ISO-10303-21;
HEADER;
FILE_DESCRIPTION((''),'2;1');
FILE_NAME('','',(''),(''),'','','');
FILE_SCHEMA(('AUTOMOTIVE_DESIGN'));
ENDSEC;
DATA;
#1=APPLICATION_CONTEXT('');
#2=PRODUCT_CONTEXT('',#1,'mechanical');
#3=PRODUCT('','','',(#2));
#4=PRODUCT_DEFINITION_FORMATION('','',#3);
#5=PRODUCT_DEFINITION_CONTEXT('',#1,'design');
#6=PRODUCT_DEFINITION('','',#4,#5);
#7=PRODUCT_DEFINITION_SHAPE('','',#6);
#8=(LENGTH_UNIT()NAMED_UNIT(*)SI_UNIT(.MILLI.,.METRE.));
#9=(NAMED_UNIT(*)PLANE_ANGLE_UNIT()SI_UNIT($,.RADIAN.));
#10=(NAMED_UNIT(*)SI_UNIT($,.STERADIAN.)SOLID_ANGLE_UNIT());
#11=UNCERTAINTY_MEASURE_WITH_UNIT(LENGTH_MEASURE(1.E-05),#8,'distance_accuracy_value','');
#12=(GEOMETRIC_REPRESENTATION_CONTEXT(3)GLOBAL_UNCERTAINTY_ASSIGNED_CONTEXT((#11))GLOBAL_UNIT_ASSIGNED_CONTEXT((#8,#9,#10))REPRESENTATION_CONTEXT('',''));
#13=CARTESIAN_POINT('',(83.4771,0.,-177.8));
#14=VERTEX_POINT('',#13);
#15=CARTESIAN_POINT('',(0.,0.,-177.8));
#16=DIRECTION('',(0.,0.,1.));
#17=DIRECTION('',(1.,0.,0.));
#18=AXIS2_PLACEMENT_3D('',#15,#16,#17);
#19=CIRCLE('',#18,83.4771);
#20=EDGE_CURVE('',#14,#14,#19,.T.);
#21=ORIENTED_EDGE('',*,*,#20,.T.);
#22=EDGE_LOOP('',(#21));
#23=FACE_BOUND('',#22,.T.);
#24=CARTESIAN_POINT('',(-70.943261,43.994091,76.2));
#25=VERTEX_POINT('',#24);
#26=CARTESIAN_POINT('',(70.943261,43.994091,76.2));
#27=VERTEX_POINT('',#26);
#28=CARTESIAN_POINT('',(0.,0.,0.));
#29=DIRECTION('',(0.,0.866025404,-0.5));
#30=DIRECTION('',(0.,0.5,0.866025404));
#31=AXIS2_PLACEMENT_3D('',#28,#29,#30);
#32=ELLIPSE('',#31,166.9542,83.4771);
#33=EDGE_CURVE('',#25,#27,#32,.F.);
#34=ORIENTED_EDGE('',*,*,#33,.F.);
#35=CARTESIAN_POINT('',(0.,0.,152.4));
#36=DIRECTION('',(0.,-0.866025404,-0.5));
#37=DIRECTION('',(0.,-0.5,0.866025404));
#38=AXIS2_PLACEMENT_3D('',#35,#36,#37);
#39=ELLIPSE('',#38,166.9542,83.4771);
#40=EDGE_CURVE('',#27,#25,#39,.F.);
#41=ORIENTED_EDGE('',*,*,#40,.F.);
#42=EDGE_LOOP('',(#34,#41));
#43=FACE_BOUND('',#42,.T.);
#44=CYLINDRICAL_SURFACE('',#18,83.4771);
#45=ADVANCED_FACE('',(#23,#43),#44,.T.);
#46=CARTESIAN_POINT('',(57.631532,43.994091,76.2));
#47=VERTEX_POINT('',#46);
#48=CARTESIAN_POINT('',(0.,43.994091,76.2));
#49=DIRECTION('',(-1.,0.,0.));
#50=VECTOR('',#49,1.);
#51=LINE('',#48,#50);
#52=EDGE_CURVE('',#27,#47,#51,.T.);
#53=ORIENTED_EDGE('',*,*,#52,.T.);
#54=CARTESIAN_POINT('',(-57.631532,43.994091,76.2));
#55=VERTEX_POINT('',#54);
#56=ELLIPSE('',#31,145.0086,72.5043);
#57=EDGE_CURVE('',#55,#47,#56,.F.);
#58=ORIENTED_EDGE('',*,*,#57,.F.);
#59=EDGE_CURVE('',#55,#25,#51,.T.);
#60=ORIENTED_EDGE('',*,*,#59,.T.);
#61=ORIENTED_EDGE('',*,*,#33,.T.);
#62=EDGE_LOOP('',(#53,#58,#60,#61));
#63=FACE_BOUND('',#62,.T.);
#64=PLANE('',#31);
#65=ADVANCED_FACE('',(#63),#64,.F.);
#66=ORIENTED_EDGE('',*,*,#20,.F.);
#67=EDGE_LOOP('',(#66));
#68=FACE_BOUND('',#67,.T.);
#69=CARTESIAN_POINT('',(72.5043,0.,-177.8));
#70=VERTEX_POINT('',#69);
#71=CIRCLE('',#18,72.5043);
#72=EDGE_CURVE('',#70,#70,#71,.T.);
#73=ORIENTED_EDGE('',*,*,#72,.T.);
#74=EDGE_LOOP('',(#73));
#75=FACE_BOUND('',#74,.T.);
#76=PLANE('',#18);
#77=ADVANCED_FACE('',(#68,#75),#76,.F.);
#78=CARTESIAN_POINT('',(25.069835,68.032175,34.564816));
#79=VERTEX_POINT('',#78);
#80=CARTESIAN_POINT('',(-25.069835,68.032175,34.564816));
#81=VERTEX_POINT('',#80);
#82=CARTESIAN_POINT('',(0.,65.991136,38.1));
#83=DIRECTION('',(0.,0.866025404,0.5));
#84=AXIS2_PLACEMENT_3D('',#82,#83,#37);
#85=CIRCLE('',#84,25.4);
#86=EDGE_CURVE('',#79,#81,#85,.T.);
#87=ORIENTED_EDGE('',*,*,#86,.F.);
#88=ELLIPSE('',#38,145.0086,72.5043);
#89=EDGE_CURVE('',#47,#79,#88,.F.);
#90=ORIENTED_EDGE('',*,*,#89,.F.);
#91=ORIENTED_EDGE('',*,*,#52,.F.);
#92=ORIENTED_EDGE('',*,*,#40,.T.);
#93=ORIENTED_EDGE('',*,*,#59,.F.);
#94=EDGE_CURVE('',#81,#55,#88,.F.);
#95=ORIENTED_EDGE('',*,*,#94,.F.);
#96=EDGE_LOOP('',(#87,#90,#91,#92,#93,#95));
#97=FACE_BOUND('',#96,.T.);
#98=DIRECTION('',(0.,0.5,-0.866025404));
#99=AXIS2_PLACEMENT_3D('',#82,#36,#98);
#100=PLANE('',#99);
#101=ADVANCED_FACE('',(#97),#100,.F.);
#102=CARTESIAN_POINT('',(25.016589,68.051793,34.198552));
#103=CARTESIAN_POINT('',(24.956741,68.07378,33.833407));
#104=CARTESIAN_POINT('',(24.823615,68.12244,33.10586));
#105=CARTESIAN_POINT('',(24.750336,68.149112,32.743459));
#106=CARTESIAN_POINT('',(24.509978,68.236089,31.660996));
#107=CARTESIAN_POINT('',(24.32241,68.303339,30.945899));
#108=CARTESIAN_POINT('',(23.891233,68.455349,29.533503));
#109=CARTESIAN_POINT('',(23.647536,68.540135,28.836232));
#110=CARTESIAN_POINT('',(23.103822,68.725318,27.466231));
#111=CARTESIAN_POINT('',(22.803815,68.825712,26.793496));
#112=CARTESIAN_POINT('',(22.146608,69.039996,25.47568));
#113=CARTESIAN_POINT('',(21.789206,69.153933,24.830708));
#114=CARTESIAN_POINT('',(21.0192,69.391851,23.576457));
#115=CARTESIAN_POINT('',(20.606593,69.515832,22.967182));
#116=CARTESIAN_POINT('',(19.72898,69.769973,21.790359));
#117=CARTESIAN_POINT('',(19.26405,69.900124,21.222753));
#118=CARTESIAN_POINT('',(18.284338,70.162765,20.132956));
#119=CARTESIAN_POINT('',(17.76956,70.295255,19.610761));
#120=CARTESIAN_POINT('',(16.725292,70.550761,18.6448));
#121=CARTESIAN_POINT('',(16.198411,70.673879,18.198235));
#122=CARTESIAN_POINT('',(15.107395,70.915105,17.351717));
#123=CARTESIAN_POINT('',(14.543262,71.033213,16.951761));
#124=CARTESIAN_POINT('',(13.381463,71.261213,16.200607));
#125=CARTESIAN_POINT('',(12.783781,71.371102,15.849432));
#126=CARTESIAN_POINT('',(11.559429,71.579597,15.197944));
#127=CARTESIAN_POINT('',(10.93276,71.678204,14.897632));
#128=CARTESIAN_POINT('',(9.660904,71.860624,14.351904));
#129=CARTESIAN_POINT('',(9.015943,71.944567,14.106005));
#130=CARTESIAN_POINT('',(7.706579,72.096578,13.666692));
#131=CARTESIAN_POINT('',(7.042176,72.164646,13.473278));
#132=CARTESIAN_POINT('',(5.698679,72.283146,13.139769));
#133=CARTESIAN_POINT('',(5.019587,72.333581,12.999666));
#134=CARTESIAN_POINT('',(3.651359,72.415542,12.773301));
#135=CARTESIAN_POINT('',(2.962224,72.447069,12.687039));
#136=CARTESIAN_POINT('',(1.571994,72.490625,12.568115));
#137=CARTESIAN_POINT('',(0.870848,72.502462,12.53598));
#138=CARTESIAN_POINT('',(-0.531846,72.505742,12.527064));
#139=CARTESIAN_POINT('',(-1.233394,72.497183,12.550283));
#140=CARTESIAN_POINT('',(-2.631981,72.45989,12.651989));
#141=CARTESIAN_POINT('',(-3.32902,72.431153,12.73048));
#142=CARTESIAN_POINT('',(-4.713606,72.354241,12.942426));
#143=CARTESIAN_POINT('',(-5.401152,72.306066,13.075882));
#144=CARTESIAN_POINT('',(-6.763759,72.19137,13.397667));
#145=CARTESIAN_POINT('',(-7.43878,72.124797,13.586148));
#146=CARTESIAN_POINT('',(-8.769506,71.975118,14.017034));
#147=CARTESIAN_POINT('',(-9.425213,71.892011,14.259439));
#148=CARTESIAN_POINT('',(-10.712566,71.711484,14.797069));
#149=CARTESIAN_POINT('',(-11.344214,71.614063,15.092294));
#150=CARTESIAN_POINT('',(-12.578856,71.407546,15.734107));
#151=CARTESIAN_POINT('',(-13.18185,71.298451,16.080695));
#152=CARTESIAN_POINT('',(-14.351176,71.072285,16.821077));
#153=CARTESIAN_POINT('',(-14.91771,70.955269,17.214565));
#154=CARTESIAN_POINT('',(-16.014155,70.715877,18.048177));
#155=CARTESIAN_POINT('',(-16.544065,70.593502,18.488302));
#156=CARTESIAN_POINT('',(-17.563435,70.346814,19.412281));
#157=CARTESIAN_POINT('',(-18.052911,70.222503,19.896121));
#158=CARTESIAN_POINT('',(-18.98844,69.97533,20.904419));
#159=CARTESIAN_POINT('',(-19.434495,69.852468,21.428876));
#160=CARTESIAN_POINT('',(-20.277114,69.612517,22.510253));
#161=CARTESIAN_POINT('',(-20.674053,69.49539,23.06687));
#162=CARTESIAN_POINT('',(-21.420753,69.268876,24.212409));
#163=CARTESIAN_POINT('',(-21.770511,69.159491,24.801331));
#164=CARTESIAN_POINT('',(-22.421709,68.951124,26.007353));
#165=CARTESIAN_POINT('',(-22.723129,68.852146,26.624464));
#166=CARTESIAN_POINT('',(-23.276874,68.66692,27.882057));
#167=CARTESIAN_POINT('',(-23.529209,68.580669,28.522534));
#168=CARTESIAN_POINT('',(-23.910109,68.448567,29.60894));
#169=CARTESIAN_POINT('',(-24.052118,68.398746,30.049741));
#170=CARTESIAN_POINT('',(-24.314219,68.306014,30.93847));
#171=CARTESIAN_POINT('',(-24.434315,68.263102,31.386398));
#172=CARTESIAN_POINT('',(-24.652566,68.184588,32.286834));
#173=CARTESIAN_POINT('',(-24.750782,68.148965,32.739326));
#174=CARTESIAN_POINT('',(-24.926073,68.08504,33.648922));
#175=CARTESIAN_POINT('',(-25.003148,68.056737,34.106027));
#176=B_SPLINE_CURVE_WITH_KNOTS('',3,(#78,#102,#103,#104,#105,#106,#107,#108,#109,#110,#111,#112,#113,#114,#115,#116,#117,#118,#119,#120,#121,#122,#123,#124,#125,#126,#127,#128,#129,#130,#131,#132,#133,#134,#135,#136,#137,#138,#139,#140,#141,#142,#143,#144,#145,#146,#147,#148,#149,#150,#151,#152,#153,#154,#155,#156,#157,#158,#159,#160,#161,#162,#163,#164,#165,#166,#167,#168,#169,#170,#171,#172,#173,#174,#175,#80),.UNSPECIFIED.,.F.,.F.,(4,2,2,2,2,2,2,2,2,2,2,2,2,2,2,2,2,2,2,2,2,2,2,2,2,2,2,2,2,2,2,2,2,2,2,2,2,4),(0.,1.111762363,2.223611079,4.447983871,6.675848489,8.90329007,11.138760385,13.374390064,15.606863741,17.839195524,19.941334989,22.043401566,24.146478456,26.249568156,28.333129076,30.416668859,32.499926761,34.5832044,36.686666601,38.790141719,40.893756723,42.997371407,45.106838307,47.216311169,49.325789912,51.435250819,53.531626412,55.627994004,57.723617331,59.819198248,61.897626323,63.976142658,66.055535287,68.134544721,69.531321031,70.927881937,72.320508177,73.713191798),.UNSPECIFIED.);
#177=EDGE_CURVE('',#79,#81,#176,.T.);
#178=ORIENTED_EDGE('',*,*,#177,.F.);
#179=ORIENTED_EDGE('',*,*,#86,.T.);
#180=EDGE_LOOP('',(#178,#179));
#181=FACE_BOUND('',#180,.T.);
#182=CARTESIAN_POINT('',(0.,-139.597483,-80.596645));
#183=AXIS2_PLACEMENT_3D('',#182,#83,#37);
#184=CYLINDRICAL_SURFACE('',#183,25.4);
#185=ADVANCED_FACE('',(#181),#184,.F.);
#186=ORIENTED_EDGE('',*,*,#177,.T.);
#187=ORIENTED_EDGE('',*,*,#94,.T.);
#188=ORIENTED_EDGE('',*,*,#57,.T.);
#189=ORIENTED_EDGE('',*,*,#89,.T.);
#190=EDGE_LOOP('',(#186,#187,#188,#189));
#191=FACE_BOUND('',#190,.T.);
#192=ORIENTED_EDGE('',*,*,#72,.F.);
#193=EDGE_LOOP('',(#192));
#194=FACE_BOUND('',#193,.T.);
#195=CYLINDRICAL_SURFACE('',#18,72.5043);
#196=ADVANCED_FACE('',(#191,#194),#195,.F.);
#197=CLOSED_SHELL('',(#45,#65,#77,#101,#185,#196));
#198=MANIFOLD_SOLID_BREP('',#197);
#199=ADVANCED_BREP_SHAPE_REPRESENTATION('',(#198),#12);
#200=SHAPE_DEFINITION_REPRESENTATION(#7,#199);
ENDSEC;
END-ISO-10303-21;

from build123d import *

# Parameters (mm, degrees)
BOSS_EXTRUDE1_DEPTH      = 203.2
BOSS_EXTRUDE1_DEPTH_BACK = 177.8
SKETCH1_R                = 83.4771
SKETCH1_R_2              = 72.5043
SKETCH8_W                = 2032
SKETCH8_H                = 2032
CUT_EXTRUDE10_DEPTH      = 304.8
SKETCH17_W               = 203.2
SKETCH17_H               = 508
CUT_EXTRUDE14_DEPTH      = 152.4
SKETCH18_R               = 25.4
CUT_EXTRUDE15_DEPTH      = 276.539452217


with BuildPart() as part:
    # Sketch1 → Boss-Extrude1 (new, two sides: drawn at the far end of the back side and taken through both)
    with BuildSketch(Plane.XY.offset(-BOSS_EXTRUDE1_DEPTH_BACK)):
        Circle(SKETCH1_R)
        Circle(SKETCH1_R_2, mode=Mode.SUBTRACT)
    extrude(amount=BOSS_EXTRUDE1_DEPTH + BOSS_EXTRUDE1_DEPTH_BACK)

    # Sketch8 → Cut-Extrude10 (cut)
    with BuildSketch(Plane(origin=(0, 0, 0), x_dir=(-1, 0, 0), z_dir=(0, 0.866025403784438, -0.5000000000000009))):
        Rectangle(SKETCH8_W, SKETCH8_H)
    extrude(amount=-CUT_EXTRUDE10_DEPTH, mode=Mode.SUBTRACT)

    # Sketch17 → Cut-Extrude14 (cut)
    with BuildSketch(Plane(origin=(0, 65.991135768, 38.1), x_dir=(-1, 0, 0), z_dir=(0, 0.866025403784438, 0.5000000000000009))):
        Rectangle(SKETCH17_W, SKETCH17_H)
    extrude(amount=CUT_EXTRUDE14_DEPTH, mode=Mode.SUBTRACT)

    # Sketch18 → Cut-Extrude15 (cut, through all)
    with BuildSketch(Plane(origin=(0, 65.991135768, 38.1), x_dir=(1, 0, 0), z_dir=(0, 0.8660254037844382, 0.500000000000001))):
        Circle(SKETCH18_R)
    extrude(amount=-CUT_EXTRUDE15_DEPTH, mode=Mode.SUBTRACT)


solid = part.part
